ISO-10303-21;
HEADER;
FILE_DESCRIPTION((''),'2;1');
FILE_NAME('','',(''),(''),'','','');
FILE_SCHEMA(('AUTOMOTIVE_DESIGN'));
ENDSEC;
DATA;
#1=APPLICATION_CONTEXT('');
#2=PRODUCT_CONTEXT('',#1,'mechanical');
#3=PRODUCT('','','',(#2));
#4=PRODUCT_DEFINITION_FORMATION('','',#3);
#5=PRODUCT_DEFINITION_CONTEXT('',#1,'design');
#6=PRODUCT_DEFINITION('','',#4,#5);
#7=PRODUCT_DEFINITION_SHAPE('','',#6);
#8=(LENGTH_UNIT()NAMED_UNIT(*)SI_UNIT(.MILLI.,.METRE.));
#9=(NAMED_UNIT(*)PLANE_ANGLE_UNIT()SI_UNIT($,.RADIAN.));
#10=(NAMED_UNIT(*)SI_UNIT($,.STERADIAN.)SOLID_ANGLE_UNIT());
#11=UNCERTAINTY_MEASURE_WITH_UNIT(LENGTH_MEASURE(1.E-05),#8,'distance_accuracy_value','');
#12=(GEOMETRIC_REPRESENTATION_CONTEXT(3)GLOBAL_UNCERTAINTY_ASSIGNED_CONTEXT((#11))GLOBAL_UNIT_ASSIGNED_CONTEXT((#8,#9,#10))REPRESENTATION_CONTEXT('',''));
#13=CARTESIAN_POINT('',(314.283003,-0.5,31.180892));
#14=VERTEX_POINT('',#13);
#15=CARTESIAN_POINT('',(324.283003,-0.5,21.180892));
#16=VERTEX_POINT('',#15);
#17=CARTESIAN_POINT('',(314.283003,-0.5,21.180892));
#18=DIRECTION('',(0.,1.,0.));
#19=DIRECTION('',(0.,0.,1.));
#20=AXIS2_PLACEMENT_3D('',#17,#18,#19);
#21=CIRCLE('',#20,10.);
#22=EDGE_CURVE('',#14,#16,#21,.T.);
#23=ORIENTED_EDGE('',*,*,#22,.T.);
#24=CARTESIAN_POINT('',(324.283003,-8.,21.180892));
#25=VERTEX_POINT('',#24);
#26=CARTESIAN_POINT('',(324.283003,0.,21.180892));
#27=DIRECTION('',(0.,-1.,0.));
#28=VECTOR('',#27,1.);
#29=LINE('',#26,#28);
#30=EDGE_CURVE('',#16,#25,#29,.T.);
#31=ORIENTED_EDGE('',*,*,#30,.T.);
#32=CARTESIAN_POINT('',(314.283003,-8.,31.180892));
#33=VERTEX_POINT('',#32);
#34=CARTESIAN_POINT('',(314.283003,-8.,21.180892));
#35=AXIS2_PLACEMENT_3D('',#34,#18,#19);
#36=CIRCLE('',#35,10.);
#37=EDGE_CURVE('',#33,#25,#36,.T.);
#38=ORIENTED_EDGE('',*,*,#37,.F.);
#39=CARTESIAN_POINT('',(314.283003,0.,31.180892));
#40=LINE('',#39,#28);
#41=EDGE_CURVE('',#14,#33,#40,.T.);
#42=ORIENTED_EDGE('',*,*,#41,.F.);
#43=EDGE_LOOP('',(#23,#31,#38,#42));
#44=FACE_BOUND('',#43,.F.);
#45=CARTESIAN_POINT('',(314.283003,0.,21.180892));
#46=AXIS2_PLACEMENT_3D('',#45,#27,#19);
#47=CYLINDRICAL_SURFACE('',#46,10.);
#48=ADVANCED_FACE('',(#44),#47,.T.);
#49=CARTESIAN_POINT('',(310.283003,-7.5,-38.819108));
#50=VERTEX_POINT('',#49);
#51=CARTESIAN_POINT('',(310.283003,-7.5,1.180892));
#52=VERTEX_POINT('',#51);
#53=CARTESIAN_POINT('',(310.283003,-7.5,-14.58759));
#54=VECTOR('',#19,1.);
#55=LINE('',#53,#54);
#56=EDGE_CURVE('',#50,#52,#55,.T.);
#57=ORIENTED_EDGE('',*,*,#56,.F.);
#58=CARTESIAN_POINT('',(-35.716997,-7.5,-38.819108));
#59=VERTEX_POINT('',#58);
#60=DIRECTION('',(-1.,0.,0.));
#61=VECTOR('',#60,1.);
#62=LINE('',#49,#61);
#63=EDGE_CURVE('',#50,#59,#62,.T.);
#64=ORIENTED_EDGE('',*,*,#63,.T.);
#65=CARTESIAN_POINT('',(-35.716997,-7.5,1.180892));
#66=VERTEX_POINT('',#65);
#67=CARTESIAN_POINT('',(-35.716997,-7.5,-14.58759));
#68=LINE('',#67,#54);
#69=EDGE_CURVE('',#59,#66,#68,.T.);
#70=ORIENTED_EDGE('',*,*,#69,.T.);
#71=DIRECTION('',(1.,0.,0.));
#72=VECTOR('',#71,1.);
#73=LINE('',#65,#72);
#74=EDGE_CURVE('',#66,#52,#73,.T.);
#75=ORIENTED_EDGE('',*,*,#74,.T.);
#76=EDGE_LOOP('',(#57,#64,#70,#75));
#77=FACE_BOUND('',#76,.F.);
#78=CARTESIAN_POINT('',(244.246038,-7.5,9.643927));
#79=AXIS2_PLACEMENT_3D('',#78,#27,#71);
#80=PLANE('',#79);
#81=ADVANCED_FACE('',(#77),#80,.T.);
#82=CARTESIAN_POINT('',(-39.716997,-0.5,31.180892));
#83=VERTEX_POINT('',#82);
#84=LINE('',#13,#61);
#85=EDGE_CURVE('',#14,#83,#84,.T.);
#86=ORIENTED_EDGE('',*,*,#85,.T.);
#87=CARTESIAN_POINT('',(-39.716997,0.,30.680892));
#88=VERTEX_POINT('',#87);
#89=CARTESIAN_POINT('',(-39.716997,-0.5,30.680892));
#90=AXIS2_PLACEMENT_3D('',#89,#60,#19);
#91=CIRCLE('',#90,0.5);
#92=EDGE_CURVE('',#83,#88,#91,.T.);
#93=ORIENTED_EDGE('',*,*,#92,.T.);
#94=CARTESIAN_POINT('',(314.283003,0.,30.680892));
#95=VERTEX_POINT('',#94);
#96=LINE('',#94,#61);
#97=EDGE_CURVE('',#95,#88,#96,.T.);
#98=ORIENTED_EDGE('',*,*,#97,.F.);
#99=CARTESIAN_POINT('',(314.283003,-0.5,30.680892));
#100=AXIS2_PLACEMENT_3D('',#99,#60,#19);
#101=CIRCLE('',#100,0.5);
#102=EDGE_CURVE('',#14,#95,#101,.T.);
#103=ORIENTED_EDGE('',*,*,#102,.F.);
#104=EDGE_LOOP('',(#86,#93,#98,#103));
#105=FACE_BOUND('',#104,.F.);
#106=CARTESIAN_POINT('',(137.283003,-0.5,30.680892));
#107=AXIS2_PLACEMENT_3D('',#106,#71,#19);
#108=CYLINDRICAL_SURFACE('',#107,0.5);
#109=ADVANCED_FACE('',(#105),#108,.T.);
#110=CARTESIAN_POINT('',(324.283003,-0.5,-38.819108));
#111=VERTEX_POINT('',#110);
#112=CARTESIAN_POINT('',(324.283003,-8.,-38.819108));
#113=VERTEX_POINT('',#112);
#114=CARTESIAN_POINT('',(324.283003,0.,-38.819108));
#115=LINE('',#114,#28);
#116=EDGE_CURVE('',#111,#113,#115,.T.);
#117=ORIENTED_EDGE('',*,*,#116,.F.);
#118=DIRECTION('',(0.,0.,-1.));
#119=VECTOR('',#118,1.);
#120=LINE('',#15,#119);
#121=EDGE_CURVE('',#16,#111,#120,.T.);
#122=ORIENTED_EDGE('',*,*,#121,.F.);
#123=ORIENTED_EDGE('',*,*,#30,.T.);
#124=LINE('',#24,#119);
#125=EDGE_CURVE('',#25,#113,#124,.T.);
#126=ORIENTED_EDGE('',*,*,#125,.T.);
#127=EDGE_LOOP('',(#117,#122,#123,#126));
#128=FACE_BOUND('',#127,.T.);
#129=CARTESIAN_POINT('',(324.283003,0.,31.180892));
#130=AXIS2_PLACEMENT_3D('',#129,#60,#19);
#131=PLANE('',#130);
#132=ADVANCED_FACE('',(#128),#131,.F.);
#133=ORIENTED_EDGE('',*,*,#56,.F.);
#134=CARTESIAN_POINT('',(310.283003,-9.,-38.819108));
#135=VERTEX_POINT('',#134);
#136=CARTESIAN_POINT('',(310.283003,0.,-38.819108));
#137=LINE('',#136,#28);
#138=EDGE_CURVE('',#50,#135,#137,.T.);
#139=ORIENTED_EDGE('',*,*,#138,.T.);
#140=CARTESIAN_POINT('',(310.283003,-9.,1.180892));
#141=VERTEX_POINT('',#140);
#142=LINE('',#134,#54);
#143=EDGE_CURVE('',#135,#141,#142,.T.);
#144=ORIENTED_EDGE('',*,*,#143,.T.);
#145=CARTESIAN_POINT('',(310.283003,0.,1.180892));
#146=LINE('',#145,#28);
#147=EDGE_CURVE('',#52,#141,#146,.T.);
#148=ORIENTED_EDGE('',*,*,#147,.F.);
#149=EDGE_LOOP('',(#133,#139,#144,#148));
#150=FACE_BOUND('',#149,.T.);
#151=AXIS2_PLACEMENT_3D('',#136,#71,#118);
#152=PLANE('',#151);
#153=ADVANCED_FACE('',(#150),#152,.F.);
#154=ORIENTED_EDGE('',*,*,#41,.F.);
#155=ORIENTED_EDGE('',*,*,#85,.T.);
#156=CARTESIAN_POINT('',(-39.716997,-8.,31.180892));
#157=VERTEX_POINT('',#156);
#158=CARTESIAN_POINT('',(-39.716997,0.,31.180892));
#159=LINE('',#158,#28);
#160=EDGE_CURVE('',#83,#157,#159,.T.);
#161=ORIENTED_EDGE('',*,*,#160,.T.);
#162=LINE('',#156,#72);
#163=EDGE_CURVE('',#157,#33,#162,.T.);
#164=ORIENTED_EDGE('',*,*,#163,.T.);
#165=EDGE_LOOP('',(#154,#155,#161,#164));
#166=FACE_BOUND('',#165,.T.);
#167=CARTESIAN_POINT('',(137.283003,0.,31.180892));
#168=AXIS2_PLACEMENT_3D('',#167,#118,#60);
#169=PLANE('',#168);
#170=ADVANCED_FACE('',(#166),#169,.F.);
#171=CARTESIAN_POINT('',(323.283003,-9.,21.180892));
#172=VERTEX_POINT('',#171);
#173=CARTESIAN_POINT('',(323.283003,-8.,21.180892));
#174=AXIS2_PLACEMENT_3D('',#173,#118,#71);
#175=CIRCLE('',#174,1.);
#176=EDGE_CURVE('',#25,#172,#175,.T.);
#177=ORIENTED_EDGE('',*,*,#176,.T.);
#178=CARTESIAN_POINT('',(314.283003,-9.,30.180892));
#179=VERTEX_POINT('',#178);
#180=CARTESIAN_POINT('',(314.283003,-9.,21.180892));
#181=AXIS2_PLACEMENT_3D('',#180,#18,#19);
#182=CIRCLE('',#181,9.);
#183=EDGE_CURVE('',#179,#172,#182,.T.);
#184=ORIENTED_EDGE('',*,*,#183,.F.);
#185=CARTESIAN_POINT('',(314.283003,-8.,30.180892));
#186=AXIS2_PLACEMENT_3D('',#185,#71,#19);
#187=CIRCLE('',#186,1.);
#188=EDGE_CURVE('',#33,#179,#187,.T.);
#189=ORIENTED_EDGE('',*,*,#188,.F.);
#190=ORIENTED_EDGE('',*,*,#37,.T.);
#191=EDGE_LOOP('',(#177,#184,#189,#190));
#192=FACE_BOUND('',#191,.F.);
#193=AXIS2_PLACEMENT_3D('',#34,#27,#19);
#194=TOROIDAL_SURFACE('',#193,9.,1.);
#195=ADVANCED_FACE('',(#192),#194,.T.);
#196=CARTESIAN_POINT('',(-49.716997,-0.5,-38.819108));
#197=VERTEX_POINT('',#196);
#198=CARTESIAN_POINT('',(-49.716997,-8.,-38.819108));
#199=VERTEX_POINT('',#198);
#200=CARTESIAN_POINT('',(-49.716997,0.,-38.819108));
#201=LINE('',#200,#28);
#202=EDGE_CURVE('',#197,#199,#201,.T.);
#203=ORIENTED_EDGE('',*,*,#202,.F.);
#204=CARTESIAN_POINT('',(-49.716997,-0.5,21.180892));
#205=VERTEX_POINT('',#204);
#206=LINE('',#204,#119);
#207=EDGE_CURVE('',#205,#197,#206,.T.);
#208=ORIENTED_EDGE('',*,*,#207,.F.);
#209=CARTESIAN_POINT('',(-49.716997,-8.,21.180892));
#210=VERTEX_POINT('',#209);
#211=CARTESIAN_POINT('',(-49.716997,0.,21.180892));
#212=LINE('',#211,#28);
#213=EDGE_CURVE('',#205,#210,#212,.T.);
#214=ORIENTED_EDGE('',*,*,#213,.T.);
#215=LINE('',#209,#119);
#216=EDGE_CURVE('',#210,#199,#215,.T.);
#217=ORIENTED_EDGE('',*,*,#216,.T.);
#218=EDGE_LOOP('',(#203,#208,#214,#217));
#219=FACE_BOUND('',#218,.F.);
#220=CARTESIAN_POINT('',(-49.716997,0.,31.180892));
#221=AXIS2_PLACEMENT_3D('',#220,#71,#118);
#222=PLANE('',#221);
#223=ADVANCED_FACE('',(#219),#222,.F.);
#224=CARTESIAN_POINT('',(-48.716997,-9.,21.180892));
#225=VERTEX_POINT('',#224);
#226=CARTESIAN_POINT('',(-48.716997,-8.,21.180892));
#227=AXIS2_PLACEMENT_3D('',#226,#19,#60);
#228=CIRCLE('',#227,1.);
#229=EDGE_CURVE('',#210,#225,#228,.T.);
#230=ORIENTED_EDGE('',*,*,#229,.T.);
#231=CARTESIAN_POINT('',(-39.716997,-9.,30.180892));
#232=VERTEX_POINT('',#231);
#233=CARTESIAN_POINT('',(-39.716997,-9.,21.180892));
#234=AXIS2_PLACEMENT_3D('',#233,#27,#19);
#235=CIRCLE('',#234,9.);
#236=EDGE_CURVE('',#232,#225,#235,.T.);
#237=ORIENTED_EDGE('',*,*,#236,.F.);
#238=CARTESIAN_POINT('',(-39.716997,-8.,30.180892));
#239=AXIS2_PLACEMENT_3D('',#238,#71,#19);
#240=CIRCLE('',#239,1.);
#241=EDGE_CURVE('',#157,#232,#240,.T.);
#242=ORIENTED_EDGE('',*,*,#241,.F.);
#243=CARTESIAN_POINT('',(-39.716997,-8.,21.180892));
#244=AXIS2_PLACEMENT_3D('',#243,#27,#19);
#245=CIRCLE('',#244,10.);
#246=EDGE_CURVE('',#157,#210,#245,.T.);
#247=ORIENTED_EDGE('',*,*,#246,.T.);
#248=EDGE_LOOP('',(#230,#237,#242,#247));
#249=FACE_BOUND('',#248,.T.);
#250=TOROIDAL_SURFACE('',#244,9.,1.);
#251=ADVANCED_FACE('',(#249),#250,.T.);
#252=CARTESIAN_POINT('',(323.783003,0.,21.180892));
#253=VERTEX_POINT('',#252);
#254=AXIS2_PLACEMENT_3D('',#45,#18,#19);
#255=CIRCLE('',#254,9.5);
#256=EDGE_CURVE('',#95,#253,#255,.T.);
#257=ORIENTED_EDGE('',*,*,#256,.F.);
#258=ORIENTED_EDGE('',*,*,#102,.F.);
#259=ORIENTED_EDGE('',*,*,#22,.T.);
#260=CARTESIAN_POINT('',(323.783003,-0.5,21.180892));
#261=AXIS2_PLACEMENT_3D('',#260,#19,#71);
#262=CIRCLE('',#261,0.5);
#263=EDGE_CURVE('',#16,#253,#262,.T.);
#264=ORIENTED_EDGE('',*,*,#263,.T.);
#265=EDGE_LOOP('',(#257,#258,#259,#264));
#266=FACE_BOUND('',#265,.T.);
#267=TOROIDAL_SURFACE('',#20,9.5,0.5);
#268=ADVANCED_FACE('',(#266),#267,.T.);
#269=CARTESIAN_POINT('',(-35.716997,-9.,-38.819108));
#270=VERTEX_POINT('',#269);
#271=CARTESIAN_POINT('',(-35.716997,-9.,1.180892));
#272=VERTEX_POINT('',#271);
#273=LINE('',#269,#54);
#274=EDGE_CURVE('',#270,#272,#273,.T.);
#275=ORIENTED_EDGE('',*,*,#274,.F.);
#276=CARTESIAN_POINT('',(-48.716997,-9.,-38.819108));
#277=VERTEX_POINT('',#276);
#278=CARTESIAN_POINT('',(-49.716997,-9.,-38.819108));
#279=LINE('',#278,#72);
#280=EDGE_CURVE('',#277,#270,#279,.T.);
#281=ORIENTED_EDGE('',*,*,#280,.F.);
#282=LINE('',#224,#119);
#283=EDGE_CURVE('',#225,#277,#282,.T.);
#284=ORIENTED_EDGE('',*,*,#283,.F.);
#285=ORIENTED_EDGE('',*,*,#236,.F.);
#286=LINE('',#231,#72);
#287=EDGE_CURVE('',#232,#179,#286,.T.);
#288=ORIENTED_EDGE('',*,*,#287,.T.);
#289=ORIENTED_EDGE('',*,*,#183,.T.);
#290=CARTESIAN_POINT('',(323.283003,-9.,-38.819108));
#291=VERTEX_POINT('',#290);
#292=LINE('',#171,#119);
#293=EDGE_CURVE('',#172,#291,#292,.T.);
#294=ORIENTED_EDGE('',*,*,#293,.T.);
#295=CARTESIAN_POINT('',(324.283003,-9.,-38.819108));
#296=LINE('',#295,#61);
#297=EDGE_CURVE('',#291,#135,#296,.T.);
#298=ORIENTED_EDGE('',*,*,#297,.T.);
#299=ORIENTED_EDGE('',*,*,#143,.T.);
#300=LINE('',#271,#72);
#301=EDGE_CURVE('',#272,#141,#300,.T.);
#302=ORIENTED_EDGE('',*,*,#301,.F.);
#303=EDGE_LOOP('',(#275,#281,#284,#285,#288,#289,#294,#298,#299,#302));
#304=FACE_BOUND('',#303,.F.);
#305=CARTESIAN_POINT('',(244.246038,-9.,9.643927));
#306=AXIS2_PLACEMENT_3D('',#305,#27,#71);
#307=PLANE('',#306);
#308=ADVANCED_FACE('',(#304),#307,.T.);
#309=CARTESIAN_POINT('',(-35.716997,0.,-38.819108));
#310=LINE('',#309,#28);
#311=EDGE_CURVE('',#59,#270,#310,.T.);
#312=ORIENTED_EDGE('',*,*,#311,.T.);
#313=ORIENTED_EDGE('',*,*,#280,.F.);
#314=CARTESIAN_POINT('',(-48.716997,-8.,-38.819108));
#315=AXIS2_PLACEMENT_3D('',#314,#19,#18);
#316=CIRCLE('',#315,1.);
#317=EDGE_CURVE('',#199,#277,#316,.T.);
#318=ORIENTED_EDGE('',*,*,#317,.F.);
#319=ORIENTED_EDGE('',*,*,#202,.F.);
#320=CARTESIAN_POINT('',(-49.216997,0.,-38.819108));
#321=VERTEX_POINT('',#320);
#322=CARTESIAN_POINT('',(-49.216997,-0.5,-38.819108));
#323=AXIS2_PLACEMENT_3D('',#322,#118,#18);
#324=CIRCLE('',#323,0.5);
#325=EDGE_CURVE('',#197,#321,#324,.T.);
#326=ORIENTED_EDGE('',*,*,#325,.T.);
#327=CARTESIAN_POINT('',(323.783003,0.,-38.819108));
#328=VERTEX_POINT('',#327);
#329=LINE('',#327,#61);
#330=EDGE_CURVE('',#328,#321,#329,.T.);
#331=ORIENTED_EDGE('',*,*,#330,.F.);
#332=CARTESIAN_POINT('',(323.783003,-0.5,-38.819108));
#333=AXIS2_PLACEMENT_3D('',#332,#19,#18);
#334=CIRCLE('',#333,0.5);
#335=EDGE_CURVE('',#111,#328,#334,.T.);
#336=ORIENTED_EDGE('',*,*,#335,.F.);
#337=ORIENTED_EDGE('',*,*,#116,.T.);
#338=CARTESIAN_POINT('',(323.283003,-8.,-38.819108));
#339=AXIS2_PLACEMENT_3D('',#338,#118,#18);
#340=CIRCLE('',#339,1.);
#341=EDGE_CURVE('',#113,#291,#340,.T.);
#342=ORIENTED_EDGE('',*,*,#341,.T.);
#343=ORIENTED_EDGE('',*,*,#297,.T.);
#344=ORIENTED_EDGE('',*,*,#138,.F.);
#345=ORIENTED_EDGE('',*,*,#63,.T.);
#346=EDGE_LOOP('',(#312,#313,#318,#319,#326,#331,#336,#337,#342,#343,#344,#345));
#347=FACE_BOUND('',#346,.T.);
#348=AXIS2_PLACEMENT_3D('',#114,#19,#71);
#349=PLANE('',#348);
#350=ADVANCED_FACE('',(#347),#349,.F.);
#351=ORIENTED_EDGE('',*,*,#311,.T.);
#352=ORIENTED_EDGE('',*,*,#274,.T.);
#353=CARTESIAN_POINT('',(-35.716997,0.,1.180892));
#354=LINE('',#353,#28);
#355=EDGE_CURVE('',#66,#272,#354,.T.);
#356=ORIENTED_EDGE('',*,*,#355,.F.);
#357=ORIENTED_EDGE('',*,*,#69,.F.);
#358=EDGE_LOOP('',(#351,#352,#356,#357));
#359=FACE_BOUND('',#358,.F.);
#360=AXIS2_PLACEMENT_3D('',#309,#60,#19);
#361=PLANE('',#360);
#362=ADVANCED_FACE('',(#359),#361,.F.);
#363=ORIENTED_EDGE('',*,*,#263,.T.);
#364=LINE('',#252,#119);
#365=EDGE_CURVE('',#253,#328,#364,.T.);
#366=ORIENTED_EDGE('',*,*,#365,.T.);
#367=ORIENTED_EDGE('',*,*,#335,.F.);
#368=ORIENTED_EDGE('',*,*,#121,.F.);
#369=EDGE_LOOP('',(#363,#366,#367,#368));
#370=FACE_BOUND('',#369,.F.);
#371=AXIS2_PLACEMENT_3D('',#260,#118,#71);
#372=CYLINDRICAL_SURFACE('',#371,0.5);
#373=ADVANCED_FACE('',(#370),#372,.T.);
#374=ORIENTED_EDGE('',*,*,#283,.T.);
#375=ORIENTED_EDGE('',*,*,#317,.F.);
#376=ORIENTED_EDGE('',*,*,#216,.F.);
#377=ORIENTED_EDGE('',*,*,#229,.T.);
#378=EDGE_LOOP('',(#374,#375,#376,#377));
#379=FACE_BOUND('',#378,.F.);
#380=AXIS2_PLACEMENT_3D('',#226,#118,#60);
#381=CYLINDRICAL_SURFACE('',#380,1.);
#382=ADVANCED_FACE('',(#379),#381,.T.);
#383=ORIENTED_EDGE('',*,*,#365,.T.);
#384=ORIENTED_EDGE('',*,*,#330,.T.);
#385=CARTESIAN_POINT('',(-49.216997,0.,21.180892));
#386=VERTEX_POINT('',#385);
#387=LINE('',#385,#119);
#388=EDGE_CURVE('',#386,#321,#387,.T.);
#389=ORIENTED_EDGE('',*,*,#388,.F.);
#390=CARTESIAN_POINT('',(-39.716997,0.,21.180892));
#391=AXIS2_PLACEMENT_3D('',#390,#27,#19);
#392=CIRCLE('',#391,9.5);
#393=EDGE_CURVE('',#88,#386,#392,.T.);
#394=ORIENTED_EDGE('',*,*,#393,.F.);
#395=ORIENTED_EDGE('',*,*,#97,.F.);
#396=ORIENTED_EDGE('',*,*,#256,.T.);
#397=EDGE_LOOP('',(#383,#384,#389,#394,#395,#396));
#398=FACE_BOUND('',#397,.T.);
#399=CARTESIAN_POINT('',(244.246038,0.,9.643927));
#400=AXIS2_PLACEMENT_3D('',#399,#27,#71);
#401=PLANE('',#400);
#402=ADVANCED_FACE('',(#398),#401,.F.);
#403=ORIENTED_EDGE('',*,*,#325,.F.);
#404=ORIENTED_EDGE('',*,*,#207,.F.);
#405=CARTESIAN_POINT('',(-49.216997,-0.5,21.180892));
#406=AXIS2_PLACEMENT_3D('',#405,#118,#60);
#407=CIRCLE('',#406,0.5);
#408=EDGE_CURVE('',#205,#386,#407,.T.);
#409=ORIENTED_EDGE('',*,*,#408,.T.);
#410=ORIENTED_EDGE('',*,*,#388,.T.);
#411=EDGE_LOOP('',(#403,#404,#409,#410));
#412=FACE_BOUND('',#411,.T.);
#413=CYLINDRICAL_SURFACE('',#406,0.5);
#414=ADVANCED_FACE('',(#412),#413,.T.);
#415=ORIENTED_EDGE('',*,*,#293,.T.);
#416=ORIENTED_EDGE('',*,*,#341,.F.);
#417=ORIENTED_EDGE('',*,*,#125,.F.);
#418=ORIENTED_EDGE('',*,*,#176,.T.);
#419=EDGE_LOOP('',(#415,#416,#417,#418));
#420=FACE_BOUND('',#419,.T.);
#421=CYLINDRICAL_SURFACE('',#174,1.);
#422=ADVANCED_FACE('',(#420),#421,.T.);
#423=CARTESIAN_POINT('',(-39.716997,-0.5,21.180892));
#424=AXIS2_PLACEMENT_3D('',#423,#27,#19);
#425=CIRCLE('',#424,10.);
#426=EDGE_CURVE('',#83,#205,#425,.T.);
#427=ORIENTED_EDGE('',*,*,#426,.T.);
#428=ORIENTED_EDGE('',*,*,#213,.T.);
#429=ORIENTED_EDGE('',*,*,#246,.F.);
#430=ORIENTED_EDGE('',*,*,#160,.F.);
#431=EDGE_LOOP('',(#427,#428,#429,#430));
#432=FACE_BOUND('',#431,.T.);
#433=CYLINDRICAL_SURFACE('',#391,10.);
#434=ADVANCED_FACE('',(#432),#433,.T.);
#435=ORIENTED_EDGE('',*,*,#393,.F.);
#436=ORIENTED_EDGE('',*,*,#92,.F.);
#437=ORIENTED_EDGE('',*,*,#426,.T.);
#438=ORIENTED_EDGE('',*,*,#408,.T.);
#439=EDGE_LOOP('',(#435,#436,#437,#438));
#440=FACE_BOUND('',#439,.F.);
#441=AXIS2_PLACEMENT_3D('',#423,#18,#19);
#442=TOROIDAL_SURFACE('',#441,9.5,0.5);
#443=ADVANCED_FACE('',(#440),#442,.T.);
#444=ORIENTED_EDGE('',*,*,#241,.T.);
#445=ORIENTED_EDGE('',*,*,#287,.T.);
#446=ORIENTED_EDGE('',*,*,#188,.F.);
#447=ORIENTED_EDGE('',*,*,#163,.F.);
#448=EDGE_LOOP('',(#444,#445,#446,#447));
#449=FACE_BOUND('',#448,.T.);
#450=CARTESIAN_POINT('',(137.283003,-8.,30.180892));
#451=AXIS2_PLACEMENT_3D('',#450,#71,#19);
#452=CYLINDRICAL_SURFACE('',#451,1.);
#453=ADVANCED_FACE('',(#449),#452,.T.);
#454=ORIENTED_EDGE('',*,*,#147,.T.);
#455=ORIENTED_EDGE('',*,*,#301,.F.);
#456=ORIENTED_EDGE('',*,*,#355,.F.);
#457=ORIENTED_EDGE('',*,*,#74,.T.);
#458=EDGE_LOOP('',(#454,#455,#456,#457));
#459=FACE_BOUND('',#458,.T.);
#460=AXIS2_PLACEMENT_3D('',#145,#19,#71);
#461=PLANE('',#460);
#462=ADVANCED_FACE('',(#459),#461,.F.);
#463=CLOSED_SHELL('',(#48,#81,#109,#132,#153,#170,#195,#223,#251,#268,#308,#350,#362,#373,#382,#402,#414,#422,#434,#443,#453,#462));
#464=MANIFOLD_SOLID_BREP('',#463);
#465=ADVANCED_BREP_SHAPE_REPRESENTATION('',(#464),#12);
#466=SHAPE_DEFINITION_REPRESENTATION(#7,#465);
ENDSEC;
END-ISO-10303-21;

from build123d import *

# Parameters (mm, degrees)
F1_DEPTH = 9
F0_W     = 173
F0_H     = 40
F2_DEPTH = 7.5
F3_R     = 10
F4_R     = 1
F5_R     = 0.5


with BuildPart() as f1:
    # F0 (on Front) → F1 (new body)
    with BuildSketch(Plane.XZ):
        Polygon((137.2830025838, 31.1808919907), (-49.7169974162, 31.1808919907), (-49.7169974162, -38.8191080093), (-35.7169974162, -38.8191080093), (-35.7169974162, 1.1808919907), (137.2830025838, 1.1808919907), align=None)
    extrude(amount=F1_DEPTH)

    # F0 (on Front) → F2 (join)
    with BuildSketch(Plane.XZ):
        Polygon((137.2830025838, 31.1808919907), (-49.7169974162, 31.1808919907), (-49.7169974162, -38.8191080093), (-35.7169974162, -38.8191080093), (-35.7169974162, 1.1808919907), (137.2830025838, 1.1808919907), align=None)
        with Locations((50.7830025838, -18.8191080093)):
            Rectangle(F0_W, F0_H)
    extrude(amount=F2_DEPTH)

    # F3
    f3_edges = [f1.edges().sort_by_distance(p)[0] for p in [
        (-49.716997, -4.5, 31.180892),
    ]]
    fillet(f3_edges, radius=F3_R)

    # F4
    f4_edges = [f1.edges().sort_by_distance(p)[0] for p in [
        (48.783003, -9, 31.180892),
        (-46.788065, -9, 28.25196),
        (-49.716997, -9, -8.819108),
    ]]
    fillet(f4_edges, radius=F4_R)

    # F5
    f5_edges = [f1.edges().sort_by_distance(p)[0] for p in [
        (48.783003, 0, 31.180892),
        (-46.788065, 0, 28.25196),
        (-49.716997, 0, -8.819108),
    ]]
    fillet(f5_edges, radius=F5_R)

    # F6: F1 across face


with BuildPart() as f1_1:
    add(f1.part)
    add(f1.part.mirror(Plane(origin=(137.2830025838, -4.1038796524, -2.2558019442), x_dir=(0, 1, 0), z_dir=(1, 0, 0))))


solid = f1_1.part
